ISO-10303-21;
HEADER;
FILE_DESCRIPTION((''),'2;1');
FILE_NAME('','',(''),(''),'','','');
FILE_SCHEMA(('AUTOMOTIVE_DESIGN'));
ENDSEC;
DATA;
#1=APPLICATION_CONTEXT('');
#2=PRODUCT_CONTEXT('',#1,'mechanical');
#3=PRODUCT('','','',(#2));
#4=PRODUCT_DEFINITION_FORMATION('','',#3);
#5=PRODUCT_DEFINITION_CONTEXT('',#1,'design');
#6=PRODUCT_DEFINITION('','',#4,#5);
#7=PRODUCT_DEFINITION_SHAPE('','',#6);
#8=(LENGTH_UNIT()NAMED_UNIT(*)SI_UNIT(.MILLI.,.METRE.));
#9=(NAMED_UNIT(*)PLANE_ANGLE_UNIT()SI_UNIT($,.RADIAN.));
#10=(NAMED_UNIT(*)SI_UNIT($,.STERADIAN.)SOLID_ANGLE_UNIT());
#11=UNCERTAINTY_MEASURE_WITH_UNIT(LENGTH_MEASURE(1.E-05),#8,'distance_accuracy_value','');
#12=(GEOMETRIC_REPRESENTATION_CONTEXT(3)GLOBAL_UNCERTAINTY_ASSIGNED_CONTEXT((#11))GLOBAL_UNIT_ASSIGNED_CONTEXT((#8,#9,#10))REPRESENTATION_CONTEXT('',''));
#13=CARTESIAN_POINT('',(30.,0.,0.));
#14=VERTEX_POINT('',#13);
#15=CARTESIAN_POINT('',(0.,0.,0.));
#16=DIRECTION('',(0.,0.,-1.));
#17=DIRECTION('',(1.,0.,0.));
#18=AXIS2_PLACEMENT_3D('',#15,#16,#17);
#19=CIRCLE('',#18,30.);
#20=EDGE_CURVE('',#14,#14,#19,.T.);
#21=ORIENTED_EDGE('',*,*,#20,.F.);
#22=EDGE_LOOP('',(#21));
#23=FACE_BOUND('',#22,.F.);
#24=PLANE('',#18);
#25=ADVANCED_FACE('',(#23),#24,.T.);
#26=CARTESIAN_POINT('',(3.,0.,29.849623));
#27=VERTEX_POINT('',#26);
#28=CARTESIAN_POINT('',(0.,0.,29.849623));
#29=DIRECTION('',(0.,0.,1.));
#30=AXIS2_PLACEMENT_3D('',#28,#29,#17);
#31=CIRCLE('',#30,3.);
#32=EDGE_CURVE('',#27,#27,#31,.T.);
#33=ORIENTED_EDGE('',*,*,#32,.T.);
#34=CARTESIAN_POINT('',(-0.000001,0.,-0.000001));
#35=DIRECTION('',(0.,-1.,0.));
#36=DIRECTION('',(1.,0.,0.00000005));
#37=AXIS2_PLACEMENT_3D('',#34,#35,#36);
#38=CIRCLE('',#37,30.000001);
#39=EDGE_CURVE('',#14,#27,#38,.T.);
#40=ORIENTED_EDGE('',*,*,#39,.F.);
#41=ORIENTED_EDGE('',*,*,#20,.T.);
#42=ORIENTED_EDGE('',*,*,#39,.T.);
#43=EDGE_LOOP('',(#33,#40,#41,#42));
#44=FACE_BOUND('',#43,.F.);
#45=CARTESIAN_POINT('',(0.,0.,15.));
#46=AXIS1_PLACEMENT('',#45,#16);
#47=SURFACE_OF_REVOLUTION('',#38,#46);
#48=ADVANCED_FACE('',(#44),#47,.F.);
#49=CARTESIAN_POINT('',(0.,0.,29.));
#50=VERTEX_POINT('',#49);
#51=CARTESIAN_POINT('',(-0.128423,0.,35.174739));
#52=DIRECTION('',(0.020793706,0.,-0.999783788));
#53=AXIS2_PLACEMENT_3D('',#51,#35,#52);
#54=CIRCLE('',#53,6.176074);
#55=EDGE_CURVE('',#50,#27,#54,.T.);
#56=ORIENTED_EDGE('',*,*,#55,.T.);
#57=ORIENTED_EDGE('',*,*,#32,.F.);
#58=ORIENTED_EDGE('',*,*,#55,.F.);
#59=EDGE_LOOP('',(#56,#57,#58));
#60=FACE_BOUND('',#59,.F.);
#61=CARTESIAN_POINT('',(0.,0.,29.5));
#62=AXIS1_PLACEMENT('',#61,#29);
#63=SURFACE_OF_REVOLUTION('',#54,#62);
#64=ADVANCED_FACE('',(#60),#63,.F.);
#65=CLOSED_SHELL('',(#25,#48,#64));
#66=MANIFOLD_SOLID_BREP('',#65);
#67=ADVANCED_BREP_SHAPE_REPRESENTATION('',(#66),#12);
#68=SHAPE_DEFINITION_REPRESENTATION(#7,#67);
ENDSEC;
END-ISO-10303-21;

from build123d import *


with BuildPart() as f1:
    # F0 (on Front) → F1 (revolve)
    with BuildSketch(Plane.XZ):
        with BuildLine():
            Line((0, 0), (30, 0))
            ThreePointArc((30, 0), (21.213203, 21.213203), (0, 30))
            Line((0, 30), (0, 0))
        make_face()
    revolve(axis=Axis((0, 0, 15), (0, 0, -1)))

    # F2 (on Front) → F3 (revolve, cut)
    with BuildSketch(Plane.XZ):
        with BuildLine():
            ThreePointArc((0, 29), (1.554499, 29.232377), (3, 29.849623))
            ThreePointArc((3, 29.849623), (1.501883, 29.962382), (0, 30))
            Line((0, 30), (0, 29))
        make_face()
    revolve(axis=Axis((0, 0, 29.5), (0, 0, 1)), mode=Mode.SUBTRACT)


solid = f1.part
